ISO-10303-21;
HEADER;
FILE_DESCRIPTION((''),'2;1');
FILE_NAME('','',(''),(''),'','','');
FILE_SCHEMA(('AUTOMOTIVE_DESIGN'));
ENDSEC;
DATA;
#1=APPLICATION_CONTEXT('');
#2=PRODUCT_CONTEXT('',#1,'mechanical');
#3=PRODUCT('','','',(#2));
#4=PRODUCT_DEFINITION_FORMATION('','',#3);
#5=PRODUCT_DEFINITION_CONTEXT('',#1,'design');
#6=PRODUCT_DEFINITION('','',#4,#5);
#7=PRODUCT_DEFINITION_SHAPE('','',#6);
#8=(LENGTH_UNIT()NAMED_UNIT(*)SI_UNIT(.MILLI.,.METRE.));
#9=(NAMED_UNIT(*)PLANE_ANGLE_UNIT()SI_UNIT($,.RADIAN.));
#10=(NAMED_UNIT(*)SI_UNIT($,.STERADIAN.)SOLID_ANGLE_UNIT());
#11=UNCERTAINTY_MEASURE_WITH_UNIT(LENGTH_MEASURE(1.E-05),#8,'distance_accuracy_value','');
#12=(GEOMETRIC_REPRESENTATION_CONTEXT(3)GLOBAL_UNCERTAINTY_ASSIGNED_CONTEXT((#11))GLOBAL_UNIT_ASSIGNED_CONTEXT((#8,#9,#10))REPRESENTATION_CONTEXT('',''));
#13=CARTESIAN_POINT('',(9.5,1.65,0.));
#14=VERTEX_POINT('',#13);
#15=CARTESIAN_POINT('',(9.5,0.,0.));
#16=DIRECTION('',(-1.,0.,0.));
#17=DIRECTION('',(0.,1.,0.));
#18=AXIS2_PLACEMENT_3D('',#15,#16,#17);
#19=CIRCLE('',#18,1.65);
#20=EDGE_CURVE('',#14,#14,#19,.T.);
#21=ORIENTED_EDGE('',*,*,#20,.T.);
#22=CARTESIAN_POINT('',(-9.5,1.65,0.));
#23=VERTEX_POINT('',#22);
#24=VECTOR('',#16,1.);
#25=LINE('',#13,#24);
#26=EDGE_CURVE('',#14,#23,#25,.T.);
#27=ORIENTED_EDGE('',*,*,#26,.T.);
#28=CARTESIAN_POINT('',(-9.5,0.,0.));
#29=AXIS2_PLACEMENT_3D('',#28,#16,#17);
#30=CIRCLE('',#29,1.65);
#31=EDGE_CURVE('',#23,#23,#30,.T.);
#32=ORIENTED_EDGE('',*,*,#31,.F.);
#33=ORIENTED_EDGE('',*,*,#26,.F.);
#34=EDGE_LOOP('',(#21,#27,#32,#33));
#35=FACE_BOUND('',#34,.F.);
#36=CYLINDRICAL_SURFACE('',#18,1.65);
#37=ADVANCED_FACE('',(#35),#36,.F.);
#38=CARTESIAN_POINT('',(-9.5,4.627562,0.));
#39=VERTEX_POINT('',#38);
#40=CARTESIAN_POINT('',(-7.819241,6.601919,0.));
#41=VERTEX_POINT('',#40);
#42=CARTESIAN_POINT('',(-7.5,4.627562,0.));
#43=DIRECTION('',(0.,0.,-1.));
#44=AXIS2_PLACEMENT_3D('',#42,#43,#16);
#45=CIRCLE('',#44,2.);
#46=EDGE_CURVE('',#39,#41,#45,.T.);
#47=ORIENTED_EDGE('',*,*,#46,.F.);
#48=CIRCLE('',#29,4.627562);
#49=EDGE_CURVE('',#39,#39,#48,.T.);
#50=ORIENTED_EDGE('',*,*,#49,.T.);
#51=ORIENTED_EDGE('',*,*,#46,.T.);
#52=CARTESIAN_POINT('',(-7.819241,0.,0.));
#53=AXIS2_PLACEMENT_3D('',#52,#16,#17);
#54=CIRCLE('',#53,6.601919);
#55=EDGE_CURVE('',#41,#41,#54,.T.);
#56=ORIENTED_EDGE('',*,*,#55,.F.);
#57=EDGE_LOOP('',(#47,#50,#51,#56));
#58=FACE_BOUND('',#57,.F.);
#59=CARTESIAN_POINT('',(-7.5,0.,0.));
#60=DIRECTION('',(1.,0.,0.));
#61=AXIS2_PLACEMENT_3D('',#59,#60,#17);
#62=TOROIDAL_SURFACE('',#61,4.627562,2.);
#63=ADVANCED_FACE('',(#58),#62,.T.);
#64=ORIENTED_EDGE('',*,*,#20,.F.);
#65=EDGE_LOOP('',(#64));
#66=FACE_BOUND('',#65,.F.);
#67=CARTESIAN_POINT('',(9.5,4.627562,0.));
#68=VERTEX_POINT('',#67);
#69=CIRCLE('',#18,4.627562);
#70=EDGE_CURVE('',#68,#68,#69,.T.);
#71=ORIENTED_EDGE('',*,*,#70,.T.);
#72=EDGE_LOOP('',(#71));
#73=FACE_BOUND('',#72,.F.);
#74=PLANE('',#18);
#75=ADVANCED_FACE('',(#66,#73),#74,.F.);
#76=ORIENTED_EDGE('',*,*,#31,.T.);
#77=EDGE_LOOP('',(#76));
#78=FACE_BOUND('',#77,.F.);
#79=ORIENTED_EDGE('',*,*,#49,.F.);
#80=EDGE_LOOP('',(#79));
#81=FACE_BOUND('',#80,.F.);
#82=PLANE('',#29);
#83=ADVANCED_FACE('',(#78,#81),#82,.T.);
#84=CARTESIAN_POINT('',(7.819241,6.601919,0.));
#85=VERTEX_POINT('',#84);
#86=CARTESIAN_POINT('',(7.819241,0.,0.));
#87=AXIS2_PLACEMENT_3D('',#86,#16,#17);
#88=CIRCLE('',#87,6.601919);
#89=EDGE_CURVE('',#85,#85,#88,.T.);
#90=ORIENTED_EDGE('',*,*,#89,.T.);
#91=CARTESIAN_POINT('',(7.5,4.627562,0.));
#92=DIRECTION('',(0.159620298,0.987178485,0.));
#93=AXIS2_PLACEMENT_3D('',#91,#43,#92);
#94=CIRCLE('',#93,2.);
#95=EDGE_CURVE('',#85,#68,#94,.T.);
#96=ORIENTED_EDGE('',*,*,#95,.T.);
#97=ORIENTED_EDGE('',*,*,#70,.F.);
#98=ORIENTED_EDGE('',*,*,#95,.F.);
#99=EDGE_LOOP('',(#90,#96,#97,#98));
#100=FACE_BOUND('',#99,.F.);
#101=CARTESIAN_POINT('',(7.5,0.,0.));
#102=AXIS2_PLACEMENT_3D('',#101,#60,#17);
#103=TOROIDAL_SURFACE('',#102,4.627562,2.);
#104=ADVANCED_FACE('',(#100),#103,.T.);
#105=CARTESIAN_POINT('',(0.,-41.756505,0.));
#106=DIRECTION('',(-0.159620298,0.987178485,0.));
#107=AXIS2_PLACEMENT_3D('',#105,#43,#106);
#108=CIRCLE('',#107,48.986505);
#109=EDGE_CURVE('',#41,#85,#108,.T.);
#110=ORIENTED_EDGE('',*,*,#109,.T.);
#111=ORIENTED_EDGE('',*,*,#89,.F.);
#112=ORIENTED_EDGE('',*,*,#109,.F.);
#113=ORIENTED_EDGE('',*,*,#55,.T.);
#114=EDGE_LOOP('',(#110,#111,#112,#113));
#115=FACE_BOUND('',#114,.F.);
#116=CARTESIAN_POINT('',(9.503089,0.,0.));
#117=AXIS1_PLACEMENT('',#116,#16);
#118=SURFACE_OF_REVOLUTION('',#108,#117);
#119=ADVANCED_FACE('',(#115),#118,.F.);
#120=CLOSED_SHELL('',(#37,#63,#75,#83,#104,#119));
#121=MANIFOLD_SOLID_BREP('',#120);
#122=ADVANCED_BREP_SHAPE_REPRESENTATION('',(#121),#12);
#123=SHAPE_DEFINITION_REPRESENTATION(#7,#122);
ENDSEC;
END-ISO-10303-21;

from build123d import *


with BuildPart() as part:
    # Sketch1 → Revolve1 (revolve)
    with BuildSketch(Plane(origin=(0, 0, 0), x_dir=(-1, 0, 0), z_dir=(0, 0, -1))):
        with BuildLine():
            Line((-9.5, 4.627561796), (-9.5, 1.65))
            Line((-9.5, 1.65), (9.5, 1.65))
            Line((9.5, 1.65), (9.5, 4.627561796))
            ThreePointArc((9.5, 4.627561796), (9.022905314, 5.924002849), (7.819240596, 6.601918765))
            ThreePointArc((7.819240596, 6.601918765), (0, 7.23), (-7.819240596, 6.601918765))
            ThreePointArc((-7.819240596, 6.601918765), (-9.022905314, 5.924002849), (-9.5, 4.627561796))
        make_face()
    revolve(axis=Axis((9.503089082, 0, 0), (-1, 0, 0)))


solid = part.part
